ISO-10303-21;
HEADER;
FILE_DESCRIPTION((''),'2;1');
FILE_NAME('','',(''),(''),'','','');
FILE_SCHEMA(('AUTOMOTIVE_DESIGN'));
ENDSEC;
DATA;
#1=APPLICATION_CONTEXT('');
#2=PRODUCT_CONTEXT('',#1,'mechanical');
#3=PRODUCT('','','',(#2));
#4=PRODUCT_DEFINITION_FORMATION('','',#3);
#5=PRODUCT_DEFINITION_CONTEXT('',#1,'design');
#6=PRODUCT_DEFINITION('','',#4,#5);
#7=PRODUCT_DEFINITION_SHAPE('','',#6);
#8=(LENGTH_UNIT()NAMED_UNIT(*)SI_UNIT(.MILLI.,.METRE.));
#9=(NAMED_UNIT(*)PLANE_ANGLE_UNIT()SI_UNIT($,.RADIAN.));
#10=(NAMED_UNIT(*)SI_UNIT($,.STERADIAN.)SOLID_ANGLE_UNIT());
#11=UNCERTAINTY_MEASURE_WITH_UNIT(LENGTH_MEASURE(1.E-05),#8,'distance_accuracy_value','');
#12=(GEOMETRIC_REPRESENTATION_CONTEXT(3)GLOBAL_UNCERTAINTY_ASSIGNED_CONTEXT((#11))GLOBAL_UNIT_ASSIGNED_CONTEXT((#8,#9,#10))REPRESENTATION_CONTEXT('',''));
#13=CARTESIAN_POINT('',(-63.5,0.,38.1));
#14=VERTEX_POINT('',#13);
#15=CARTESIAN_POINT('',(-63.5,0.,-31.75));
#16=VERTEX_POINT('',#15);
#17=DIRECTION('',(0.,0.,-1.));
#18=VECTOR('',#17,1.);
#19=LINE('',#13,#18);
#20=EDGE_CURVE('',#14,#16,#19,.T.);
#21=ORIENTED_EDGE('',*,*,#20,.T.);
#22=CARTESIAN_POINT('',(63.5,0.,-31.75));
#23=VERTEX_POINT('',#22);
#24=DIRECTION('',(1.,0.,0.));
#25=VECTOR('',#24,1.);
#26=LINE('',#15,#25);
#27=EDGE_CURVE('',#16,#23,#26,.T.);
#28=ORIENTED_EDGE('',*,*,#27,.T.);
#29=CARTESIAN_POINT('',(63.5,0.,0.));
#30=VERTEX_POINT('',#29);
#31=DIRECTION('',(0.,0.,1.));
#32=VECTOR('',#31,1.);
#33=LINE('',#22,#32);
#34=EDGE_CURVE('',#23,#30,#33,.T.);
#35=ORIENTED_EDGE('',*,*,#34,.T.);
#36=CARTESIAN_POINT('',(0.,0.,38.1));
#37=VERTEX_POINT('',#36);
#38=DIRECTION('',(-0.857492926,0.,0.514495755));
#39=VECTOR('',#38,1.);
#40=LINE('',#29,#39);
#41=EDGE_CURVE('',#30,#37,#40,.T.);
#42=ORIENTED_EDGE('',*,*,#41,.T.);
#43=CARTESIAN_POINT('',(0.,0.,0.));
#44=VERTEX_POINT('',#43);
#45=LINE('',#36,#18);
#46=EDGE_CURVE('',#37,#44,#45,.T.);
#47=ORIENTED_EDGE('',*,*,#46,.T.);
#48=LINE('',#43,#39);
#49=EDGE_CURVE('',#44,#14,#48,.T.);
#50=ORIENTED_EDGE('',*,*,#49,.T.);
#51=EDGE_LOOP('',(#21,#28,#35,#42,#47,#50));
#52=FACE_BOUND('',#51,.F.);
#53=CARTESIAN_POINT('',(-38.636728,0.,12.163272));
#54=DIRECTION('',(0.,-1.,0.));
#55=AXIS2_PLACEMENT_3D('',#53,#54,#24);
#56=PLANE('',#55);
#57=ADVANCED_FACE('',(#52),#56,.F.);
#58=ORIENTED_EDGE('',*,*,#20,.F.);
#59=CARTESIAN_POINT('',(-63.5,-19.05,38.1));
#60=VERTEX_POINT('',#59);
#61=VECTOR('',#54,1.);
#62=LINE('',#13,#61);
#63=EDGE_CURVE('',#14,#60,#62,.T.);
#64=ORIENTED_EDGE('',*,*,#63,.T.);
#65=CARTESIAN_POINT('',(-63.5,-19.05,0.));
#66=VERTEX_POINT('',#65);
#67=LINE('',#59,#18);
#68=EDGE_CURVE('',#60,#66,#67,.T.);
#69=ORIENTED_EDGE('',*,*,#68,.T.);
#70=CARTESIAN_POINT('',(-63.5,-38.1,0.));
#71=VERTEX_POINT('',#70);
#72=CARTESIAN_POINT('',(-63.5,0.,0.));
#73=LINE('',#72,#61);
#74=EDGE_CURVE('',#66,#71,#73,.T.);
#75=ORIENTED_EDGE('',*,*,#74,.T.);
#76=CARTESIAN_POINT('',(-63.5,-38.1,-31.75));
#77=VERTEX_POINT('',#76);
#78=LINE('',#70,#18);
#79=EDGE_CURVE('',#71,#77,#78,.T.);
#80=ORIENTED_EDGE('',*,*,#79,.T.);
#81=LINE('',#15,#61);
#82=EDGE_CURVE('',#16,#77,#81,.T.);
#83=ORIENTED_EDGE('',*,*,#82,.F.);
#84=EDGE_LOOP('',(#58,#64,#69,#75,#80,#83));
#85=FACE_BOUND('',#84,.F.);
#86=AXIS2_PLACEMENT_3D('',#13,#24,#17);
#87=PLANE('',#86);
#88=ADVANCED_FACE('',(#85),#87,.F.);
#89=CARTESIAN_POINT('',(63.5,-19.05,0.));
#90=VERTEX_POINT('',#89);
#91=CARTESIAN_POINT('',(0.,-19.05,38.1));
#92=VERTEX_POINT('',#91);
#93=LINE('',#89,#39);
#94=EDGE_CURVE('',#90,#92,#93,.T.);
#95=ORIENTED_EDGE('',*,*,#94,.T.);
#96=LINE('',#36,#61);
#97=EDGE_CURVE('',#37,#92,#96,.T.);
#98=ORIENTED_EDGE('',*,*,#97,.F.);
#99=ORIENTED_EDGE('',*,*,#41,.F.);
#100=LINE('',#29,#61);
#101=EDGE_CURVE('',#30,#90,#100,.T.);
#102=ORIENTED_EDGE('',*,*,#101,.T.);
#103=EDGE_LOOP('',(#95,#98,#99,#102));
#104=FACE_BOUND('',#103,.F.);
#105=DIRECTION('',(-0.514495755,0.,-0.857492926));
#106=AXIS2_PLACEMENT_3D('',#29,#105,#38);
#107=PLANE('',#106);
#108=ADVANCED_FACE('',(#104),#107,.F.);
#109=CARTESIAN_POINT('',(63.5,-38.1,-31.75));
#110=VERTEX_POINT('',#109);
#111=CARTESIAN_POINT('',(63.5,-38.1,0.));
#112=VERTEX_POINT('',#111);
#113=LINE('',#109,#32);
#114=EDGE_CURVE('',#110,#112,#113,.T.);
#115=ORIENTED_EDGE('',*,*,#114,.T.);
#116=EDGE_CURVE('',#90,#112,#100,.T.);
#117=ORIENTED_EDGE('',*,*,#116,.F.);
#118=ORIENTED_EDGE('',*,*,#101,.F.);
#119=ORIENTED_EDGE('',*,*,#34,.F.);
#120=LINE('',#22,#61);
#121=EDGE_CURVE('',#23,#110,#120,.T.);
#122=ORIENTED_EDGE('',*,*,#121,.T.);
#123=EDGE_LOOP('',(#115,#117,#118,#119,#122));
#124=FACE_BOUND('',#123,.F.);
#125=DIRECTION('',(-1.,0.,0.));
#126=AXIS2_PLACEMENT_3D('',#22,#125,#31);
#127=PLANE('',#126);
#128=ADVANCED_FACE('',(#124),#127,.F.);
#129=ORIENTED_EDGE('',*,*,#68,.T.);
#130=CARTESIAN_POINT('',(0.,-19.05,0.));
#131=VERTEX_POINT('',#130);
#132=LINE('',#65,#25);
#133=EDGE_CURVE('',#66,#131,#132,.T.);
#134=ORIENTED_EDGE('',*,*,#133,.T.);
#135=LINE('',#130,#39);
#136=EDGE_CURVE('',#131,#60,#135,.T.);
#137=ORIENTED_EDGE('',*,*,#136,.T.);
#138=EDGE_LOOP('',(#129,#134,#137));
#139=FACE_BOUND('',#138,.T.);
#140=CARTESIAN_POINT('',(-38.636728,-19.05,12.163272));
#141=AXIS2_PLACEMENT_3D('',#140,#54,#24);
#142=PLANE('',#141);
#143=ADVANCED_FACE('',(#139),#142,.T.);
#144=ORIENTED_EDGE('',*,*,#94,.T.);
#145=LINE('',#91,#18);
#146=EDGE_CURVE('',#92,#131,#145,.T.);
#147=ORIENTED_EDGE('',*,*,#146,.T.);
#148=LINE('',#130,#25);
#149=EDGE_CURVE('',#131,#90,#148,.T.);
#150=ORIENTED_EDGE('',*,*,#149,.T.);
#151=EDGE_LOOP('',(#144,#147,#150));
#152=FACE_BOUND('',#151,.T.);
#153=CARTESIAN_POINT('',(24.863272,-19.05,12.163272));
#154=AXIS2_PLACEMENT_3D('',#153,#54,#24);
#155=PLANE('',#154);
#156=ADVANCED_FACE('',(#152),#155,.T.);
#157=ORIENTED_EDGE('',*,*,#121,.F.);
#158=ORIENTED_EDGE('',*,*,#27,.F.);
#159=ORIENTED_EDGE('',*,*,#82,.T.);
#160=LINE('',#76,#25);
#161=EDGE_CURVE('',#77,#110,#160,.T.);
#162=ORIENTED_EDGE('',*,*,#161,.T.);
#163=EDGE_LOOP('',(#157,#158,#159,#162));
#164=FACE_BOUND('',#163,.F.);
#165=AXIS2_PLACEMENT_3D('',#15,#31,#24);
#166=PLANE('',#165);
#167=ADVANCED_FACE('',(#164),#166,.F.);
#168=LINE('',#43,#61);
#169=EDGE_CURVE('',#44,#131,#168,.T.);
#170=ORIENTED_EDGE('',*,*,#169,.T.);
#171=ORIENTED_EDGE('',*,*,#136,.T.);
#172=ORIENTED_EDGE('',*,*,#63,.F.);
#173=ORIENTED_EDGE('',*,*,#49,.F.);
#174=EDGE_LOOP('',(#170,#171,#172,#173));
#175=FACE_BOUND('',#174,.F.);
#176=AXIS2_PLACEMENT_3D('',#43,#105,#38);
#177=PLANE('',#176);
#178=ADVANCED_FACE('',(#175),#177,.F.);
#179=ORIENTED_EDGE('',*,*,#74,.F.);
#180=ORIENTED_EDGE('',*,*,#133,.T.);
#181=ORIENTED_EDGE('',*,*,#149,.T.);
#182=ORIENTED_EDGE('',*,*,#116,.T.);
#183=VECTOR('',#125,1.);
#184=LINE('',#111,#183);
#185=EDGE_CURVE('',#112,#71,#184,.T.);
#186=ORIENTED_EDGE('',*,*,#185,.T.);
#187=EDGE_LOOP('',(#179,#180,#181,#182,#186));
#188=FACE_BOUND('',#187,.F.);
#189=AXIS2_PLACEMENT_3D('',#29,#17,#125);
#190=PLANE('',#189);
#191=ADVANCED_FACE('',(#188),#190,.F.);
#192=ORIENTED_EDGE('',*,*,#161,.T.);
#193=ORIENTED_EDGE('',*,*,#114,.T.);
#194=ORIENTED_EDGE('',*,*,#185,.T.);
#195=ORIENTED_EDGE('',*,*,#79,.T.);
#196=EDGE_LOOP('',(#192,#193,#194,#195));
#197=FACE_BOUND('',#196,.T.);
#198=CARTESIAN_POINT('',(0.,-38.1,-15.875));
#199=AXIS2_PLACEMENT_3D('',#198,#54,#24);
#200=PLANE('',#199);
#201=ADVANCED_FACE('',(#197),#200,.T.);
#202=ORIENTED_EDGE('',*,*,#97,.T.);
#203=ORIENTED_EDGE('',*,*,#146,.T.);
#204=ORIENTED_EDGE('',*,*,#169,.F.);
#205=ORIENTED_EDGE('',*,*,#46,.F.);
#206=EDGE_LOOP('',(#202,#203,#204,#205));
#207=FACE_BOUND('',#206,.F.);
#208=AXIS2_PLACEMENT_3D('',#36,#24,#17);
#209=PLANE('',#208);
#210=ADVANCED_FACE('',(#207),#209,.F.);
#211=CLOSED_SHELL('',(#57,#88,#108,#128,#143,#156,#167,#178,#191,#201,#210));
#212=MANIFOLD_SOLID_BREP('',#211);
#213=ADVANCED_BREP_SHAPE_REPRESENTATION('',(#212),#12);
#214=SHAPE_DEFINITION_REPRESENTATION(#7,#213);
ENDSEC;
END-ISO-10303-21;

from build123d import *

# Parameters (mm, degrees)
F1_DEPTH = 38.1
F2_DEPTH = 19.05


with BuildPart() as f1:
    # F0 (on Front) → F1 (new body)
    with BuildSketch(Plane.XZ):
        Polygon((-63.5, 0), (-63.5, -31.75), (63.5, -31.75), (63.5, 0), (0, 0), align=None)
    extrude(amount=F1_DEPTH)

    # F0 (on Front) → F2 (join)
    with BuildSketch(Plane.XZ):
        Polygon((-63.5, 38.1), (-63.5, 0), (0, 0), align=None)
        Polygon((0, 0), (63.5, 0), (0, 38.1), align=None)
    extrude(amount=F2_DEPTH)


solid = f1.part
